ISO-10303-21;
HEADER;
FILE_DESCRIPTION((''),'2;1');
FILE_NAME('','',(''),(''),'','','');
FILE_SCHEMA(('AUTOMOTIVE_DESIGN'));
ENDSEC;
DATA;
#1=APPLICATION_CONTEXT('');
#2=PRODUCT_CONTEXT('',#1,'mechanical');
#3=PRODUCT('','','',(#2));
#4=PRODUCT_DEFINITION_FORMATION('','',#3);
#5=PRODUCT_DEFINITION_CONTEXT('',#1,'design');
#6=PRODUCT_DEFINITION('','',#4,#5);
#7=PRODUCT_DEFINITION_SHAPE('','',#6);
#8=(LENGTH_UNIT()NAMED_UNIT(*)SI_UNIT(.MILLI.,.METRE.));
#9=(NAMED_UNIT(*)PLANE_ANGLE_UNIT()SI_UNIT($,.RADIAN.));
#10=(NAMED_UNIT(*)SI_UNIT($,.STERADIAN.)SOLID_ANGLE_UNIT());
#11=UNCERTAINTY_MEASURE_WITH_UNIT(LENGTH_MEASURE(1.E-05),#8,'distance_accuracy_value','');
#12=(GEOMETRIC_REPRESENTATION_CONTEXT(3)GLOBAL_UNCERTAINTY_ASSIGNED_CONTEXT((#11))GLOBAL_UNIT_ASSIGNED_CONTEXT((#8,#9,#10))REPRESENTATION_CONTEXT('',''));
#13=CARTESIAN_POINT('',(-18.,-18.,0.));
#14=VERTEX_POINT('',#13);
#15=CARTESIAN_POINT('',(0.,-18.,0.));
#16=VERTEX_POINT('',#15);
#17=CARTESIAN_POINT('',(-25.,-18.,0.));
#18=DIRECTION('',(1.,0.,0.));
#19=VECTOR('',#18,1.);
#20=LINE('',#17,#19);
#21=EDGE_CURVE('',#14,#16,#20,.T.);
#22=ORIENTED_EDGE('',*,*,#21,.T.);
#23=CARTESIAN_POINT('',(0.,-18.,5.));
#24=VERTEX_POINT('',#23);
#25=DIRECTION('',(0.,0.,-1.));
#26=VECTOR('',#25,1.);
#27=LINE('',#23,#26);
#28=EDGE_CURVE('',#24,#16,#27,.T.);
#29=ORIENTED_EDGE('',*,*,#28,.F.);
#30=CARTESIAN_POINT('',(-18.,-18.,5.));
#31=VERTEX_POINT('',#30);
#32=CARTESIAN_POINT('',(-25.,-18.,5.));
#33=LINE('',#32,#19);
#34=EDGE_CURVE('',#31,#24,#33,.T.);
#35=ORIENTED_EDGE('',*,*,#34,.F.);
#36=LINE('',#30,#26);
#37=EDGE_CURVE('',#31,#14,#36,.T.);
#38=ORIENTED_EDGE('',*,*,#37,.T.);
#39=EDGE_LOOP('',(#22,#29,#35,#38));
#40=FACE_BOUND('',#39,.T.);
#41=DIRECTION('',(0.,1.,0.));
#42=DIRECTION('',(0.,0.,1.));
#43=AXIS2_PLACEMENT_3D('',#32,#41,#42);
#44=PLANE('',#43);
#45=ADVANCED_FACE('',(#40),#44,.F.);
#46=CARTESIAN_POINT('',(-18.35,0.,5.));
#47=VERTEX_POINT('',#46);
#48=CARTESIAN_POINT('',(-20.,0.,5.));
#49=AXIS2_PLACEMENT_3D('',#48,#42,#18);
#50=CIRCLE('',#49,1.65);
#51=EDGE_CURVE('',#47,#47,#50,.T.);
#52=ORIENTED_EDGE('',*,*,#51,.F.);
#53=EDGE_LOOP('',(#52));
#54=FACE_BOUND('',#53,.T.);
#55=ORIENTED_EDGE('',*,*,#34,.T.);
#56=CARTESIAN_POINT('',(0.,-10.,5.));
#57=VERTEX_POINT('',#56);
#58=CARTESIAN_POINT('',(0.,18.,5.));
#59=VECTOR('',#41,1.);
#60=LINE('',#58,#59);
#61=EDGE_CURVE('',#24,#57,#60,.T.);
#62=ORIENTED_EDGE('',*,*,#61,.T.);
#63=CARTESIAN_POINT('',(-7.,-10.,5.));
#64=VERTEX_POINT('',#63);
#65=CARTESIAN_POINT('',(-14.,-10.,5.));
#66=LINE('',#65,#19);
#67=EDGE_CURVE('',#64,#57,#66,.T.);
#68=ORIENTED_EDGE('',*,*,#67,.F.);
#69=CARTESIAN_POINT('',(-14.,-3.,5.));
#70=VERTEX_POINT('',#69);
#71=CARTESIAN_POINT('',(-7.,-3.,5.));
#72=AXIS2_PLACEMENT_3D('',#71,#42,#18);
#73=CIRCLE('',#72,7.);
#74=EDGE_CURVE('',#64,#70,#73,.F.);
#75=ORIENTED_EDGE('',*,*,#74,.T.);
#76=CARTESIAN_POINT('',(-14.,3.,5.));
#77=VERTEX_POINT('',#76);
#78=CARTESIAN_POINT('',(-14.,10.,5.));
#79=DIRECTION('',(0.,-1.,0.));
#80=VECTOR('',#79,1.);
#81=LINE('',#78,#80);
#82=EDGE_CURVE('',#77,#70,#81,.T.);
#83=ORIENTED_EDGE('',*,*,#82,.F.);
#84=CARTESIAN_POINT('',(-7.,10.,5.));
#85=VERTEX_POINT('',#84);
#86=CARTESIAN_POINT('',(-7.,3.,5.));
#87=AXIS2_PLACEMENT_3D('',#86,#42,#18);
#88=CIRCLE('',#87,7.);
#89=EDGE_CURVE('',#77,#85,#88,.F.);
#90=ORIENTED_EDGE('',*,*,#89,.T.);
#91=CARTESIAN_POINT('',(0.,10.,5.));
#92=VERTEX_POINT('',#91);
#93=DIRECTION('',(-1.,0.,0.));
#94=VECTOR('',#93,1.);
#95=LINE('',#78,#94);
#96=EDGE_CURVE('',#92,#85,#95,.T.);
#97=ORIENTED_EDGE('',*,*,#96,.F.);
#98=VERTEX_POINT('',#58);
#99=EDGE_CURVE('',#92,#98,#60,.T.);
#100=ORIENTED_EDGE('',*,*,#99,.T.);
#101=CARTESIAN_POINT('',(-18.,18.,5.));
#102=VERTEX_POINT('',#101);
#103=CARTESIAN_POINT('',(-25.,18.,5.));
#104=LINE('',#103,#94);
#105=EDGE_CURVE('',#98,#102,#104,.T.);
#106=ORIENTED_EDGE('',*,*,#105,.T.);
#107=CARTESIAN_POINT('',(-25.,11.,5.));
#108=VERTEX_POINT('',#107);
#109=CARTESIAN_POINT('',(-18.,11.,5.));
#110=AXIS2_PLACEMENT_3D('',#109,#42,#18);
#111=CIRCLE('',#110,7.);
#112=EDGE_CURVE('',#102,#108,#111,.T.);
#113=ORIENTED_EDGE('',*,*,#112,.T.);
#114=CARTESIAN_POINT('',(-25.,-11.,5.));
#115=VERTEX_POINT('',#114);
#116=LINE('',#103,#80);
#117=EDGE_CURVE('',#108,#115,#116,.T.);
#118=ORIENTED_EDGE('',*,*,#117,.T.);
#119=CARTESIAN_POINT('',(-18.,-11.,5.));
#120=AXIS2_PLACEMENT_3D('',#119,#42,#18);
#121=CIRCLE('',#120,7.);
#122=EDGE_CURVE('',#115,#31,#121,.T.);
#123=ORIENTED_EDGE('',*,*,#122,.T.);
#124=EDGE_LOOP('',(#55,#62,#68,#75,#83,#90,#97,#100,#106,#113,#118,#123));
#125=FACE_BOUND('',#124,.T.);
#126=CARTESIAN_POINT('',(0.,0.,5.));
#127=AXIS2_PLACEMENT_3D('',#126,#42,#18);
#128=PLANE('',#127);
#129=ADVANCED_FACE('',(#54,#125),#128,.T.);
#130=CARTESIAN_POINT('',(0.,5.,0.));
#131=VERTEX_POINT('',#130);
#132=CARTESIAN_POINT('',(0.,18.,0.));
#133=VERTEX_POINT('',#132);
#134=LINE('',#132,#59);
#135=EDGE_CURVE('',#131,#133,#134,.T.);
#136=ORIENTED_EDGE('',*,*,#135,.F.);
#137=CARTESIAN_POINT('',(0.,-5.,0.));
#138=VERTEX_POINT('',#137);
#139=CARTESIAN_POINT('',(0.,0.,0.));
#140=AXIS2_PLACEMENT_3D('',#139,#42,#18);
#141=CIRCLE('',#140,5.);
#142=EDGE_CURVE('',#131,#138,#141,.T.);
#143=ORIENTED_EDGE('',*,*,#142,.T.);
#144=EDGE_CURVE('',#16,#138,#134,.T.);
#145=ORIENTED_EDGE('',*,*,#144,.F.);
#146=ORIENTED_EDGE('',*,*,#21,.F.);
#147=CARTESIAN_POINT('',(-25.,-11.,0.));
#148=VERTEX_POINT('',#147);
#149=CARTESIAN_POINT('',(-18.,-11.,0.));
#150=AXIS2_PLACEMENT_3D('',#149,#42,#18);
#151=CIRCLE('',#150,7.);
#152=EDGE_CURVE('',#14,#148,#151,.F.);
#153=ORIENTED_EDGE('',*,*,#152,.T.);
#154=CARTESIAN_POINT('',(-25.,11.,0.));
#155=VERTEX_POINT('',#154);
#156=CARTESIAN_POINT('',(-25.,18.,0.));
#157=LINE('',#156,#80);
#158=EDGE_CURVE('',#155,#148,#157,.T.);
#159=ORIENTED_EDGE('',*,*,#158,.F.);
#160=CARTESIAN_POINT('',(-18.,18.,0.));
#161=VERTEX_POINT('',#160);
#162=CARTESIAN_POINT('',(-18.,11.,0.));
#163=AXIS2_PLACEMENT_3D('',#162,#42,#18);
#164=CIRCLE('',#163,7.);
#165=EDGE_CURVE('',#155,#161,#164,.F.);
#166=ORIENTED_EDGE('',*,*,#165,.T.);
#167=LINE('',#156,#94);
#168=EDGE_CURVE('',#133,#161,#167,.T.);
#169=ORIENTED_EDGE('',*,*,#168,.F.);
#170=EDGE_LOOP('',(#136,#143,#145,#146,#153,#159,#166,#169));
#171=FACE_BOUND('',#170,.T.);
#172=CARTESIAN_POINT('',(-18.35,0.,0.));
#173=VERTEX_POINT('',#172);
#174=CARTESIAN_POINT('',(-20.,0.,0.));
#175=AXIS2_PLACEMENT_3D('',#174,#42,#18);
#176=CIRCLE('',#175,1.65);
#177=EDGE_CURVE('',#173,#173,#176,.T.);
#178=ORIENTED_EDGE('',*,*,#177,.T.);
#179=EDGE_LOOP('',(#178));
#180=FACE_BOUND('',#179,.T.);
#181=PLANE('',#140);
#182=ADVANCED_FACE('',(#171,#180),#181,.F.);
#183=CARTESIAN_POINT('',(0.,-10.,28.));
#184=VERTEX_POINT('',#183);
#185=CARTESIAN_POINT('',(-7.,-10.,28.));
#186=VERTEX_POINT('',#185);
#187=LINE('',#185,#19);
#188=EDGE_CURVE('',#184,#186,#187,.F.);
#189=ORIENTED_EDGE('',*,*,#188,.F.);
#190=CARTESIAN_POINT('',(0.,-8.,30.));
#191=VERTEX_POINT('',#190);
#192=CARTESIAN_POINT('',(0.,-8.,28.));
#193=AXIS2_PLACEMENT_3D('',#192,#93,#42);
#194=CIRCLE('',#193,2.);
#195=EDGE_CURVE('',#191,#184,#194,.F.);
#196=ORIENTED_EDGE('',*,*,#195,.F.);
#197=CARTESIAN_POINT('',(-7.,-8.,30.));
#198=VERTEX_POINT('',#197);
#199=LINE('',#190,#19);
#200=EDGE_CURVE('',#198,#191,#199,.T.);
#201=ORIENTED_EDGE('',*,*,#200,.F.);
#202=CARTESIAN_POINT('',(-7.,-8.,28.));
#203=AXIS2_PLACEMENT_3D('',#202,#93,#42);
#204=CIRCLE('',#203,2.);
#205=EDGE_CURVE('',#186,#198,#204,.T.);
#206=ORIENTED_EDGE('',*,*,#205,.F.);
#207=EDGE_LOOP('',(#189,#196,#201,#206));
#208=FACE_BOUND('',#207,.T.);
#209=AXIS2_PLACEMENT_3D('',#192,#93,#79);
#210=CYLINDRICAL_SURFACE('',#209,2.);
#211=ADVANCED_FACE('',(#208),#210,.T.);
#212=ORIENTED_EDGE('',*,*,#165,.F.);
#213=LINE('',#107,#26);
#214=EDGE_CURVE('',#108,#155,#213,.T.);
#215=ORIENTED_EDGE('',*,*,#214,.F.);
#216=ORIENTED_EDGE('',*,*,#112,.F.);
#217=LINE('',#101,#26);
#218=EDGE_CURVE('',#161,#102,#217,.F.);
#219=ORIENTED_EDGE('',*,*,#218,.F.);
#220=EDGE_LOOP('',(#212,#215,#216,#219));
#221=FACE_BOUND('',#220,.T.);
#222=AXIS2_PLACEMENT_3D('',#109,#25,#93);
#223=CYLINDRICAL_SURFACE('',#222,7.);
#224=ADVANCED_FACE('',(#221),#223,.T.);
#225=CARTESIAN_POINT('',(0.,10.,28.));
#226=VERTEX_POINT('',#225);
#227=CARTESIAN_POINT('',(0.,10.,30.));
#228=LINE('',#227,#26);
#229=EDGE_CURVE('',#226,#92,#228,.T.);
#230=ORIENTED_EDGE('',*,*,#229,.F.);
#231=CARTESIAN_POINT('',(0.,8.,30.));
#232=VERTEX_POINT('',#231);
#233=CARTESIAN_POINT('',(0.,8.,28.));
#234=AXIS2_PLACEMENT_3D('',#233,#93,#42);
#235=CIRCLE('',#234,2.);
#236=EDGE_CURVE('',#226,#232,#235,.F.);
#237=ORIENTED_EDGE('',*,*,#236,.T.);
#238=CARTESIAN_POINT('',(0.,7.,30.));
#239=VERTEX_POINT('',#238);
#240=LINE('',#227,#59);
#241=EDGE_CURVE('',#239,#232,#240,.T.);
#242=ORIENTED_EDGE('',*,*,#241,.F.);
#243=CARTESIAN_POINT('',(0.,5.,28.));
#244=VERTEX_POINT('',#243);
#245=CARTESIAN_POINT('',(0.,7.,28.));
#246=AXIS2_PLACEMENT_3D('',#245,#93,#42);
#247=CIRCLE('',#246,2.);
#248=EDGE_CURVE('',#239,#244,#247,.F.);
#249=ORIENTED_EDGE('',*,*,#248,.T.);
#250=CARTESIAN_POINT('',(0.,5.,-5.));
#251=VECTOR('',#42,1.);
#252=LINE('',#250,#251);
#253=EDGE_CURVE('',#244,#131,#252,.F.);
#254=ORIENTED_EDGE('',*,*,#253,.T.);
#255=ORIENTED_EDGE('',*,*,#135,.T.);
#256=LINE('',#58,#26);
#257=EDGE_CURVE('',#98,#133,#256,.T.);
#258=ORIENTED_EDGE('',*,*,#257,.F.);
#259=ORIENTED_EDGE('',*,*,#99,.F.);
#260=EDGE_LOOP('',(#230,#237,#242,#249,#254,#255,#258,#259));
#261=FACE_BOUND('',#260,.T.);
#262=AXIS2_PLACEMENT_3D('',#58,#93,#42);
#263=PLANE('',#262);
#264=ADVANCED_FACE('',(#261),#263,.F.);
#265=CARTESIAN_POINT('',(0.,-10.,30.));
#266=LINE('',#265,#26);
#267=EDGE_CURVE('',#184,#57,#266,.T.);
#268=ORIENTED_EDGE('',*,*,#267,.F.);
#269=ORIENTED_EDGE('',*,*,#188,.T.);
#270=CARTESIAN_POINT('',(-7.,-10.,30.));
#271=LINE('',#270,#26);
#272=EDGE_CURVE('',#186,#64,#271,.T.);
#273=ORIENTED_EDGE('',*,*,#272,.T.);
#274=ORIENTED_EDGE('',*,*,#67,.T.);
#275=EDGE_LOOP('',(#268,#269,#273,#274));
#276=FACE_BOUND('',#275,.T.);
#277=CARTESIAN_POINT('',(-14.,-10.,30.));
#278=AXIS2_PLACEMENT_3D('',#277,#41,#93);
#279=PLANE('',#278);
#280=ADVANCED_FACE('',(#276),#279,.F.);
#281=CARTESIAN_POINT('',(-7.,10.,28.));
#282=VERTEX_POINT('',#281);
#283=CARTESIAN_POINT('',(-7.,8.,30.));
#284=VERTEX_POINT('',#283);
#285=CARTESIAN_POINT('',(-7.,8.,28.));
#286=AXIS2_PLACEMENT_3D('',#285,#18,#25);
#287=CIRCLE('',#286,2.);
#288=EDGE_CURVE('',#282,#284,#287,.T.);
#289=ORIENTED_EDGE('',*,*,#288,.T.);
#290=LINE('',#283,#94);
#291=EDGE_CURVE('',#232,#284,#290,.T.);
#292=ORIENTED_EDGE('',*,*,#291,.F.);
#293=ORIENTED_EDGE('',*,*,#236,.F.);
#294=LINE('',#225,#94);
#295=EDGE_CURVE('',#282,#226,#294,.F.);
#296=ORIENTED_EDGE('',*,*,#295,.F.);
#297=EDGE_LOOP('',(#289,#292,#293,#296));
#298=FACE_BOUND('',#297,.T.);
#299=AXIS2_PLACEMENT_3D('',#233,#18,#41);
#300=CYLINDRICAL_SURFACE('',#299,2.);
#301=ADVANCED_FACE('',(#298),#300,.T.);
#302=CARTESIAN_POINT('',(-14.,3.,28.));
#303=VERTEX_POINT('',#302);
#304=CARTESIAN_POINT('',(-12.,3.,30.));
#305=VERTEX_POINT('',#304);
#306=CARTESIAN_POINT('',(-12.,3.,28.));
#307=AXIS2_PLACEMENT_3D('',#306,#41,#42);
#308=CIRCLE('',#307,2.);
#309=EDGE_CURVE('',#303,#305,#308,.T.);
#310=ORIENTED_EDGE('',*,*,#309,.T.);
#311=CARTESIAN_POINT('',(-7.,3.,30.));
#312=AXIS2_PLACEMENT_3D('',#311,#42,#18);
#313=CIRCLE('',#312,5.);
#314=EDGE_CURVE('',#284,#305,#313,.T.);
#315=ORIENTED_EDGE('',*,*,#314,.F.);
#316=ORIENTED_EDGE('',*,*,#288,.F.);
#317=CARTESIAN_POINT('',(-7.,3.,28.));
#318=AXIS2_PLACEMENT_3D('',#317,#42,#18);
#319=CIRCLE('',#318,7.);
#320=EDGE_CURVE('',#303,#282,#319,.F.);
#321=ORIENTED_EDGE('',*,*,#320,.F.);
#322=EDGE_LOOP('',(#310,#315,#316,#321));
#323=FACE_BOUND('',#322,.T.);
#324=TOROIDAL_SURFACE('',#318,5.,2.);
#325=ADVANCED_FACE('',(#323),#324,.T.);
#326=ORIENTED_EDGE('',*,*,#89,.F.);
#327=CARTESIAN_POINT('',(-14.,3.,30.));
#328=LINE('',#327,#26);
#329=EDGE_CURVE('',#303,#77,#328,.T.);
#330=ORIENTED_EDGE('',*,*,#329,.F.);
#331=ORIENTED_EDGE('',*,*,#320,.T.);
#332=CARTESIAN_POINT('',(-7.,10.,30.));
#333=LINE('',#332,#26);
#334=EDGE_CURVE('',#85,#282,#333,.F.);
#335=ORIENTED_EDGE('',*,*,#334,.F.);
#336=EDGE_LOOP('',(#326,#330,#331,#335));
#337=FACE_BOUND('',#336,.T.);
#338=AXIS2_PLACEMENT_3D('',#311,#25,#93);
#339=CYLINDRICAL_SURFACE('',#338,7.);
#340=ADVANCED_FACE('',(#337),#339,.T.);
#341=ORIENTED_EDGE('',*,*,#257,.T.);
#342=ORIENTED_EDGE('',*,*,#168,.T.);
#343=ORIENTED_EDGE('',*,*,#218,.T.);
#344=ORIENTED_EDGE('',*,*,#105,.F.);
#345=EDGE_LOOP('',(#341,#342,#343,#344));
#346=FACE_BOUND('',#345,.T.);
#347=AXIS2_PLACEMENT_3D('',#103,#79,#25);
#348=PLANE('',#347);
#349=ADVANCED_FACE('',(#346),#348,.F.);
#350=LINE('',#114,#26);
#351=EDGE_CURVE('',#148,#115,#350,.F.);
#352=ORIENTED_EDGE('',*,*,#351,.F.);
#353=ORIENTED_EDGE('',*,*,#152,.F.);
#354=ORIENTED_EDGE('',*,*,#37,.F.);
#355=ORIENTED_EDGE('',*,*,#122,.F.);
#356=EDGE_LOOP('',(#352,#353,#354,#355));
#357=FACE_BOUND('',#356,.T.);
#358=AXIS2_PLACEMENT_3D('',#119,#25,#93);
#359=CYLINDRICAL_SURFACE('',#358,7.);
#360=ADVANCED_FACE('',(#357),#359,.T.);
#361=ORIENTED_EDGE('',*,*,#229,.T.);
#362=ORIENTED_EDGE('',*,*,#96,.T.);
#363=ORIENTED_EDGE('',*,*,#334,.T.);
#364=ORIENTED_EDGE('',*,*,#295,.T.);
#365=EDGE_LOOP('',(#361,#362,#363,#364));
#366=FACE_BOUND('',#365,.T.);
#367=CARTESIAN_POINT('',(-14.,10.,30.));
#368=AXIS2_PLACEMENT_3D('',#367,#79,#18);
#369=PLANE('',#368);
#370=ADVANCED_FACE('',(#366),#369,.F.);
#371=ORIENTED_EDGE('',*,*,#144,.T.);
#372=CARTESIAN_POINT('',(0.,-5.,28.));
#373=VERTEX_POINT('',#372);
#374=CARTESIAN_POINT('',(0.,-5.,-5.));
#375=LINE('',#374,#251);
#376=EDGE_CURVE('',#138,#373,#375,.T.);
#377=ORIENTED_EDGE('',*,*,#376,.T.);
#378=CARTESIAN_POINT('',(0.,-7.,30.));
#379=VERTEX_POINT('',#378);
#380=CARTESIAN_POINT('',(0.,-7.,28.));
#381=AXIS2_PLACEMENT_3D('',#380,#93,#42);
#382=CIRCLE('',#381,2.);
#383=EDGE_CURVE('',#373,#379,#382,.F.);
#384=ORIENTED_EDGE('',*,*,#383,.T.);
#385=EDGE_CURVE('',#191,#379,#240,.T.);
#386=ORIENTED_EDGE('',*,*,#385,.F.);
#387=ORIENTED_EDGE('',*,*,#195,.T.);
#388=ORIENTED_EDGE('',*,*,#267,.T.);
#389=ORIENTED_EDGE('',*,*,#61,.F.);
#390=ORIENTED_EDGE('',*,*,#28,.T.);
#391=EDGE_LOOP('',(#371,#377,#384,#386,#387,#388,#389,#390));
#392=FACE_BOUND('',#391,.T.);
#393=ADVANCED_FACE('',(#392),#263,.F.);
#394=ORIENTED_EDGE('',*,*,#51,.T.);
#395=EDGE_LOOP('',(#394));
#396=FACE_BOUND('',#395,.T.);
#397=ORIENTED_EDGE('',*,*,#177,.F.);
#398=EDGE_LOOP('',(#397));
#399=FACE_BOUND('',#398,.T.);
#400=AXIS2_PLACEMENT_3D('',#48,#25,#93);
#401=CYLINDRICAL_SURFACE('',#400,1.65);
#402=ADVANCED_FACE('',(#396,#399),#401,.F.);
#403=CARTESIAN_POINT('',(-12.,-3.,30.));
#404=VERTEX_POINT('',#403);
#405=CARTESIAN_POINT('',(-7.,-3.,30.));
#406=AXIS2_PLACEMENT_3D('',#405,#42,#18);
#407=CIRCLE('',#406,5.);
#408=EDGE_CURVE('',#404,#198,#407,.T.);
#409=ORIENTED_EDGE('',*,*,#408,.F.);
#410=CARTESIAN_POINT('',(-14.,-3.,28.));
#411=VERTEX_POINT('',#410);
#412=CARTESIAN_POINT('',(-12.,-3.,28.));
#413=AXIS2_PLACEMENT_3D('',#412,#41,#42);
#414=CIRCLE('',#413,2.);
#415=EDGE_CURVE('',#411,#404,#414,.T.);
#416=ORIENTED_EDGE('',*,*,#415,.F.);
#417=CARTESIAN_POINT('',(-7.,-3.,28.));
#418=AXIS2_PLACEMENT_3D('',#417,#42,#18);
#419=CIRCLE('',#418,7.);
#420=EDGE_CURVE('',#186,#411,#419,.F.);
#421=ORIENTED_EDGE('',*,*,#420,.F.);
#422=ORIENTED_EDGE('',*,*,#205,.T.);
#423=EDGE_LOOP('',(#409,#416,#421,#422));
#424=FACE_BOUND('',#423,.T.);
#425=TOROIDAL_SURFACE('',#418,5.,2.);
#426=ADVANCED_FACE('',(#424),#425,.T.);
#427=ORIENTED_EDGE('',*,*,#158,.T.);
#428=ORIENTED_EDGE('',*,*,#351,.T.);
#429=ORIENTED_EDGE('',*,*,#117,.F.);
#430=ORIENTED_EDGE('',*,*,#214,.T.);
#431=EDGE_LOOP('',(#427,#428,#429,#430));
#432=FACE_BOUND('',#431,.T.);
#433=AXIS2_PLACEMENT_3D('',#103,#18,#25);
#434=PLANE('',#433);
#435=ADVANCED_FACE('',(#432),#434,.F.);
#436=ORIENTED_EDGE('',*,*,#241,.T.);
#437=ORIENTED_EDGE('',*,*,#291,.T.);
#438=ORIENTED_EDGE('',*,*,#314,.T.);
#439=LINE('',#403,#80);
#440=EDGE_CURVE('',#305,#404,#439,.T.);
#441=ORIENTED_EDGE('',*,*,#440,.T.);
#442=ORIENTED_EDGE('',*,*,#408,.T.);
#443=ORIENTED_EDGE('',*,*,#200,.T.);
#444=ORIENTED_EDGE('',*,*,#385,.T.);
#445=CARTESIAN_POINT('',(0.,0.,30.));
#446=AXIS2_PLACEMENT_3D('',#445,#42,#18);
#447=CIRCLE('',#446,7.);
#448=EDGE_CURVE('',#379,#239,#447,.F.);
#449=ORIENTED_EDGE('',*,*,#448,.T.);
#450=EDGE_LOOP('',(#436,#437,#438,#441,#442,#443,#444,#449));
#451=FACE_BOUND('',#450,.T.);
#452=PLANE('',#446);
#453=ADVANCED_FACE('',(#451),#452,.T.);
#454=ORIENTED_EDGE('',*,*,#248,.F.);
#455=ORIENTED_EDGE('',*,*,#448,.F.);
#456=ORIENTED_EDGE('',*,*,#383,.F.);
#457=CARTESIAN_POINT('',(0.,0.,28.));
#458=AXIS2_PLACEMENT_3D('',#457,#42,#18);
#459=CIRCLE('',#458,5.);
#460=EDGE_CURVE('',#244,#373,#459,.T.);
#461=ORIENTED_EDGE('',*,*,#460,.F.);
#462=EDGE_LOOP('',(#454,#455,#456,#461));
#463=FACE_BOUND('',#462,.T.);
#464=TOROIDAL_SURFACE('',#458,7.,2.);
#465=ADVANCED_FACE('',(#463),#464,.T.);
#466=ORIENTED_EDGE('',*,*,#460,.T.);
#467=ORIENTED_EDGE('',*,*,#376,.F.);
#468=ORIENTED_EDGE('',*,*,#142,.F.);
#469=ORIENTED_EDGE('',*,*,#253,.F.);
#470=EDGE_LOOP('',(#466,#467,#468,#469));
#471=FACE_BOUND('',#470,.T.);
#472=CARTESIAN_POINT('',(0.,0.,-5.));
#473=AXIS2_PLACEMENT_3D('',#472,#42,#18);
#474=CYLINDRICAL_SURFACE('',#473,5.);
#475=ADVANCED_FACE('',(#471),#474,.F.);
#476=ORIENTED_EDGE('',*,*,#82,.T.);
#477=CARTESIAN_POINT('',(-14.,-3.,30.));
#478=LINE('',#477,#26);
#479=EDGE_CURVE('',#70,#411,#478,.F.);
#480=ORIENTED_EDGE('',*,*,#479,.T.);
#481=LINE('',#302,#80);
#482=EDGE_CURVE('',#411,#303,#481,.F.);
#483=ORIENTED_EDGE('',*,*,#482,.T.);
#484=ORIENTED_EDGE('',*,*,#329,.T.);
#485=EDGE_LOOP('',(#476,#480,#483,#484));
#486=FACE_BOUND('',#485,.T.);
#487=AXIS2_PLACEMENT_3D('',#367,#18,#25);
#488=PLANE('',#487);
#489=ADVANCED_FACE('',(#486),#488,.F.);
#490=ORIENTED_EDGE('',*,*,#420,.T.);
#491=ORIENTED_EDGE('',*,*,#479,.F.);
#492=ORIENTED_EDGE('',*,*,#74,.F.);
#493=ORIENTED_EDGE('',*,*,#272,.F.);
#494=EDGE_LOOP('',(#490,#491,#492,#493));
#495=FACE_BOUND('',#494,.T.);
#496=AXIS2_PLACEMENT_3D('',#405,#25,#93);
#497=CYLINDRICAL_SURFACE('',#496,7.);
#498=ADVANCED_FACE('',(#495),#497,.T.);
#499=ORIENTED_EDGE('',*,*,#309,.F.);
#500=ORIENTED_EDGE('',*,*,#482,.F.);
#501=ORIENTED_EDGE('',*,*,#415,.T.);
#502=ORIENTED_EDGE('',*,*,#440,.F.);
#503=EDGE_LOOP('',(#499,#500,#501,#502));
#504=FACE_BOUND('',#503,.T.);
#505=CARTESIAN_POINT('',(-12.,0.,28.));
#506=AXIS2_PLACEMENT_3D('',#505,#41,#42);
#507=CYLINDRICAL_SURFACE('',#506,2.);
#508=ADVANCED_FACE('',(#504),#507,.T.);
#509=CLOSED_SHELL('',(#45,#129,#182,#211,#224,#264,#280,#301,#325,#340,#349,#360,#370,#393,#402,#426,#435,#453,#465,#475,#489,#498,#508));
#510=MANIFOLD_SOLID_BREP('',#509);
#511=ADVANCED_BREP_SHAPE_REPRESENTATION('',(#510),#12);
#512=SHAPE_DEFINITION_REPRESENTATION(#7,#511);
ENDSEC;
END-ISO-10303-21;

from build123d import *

# Parameters (mm, degrees)
SKETCH_1_W          = 25
SKETCH_1_H          = 36
SKETCH_1_R          = 1.65
EXTRUDE_1_DEPTH     = 5
SKETCH_2_W          = 14
SKETCH_2_H          = 20
EXTRUDE_2_DEPTH     = 25
SKETCH_3_R          = 5
CUT_EXTRUDE_1_DEPTH = 35
FILLET_1_R          = 7
FILLET_2_R          = 7
FILLET_3_R          = 7
FILLET_4_R          = 7
FILLET_5_R          = 2


with BuildPart() as part:
    # ｽｹｯﾁ1 → ﾎﾞｽ - 押し出し1 (new body)
    with BuildSketch(Plane.XY):
        with Locations((-12.5, 0)):
            Rectangle(SKETCH_1_W, SKETCH_1_H)
        with Locations((-20, 0)):
            Circle(SKETCH_1_R, mode=Mode.SUBTRACT)
    extrude(amount=EXTRUDE_1_DEPTH)

    # ｽｹｯﾁ2 → ﾎﾞｽ - 押し出し2 (add)
    with BuildSketch(Plane.XY.offset(5)):
        with Locations((-7, 0)):
            Rectangle(SKETCH_2_W, SKETCH_2_H)
    extrude(amount=EXTRUDE_2_DEPTH)

    # ｽｹｯﾁ3 → ｶｯﾄ - 押し出し1 (cut)
    with BuildSketch(Plane.XY.offset(30)):
        Circle(SKETCH_3_R)
    extrude(amount=-CUT_EXTRUDE_1_DEPTH, mode=Mode.SUBTRACT)

    # ﾌｨﾚｯﾄ1
    fillet_1_edges = [part.edges().sort_by_distance(p)[0] for p in [
        (-14, 10, 17.5),
    ]]
    fillet(fillet_1_edges, radius=FILLET_1_R)

    # ﾌｨﾚｯﾄ2
    fillet_2_edges = [part.edges().sort_by_distance(p)[0] for p in [
        (-14, -10, 17.5),
    ]]
    fillet(fillet_2_edges, radius=FILLET_2_R)

    # ﾌｨﾚｯﾄ3
    fillet_3_edges = [part.edges().sort_by_distance(p)[0] for p in [
        (-25, 18, 2.5),
    ]]
    fillet(fillet_3_edges, radius=FILLET_3_R)

    # ﾌｨﾚｯﾄ4
    fillet_4_edges = [part.edges().sort_by_distance(p)[0] for p in [
        (-25, -18, 2.5),
    ]]
    fillet(fillet_4_edges, radius=FILLET_4_R)

    # ﾌｨﾚｯﾄ5
    fillet_5_edges = [part.edges().sort_by_distance(p)[0] for p in [
        (-3.5, 10, 30),
        (-5, 0, 30),
        (-14, 0, 30),
        (-11.949747468, 7.949747468, 30),
        (-3.5, -10, 30),
        (-11.949747468, -7.949747468, 30),
    ]]
    fillet(fillet_5_edges, radius=FILLET_5_R)


solid = part.part
